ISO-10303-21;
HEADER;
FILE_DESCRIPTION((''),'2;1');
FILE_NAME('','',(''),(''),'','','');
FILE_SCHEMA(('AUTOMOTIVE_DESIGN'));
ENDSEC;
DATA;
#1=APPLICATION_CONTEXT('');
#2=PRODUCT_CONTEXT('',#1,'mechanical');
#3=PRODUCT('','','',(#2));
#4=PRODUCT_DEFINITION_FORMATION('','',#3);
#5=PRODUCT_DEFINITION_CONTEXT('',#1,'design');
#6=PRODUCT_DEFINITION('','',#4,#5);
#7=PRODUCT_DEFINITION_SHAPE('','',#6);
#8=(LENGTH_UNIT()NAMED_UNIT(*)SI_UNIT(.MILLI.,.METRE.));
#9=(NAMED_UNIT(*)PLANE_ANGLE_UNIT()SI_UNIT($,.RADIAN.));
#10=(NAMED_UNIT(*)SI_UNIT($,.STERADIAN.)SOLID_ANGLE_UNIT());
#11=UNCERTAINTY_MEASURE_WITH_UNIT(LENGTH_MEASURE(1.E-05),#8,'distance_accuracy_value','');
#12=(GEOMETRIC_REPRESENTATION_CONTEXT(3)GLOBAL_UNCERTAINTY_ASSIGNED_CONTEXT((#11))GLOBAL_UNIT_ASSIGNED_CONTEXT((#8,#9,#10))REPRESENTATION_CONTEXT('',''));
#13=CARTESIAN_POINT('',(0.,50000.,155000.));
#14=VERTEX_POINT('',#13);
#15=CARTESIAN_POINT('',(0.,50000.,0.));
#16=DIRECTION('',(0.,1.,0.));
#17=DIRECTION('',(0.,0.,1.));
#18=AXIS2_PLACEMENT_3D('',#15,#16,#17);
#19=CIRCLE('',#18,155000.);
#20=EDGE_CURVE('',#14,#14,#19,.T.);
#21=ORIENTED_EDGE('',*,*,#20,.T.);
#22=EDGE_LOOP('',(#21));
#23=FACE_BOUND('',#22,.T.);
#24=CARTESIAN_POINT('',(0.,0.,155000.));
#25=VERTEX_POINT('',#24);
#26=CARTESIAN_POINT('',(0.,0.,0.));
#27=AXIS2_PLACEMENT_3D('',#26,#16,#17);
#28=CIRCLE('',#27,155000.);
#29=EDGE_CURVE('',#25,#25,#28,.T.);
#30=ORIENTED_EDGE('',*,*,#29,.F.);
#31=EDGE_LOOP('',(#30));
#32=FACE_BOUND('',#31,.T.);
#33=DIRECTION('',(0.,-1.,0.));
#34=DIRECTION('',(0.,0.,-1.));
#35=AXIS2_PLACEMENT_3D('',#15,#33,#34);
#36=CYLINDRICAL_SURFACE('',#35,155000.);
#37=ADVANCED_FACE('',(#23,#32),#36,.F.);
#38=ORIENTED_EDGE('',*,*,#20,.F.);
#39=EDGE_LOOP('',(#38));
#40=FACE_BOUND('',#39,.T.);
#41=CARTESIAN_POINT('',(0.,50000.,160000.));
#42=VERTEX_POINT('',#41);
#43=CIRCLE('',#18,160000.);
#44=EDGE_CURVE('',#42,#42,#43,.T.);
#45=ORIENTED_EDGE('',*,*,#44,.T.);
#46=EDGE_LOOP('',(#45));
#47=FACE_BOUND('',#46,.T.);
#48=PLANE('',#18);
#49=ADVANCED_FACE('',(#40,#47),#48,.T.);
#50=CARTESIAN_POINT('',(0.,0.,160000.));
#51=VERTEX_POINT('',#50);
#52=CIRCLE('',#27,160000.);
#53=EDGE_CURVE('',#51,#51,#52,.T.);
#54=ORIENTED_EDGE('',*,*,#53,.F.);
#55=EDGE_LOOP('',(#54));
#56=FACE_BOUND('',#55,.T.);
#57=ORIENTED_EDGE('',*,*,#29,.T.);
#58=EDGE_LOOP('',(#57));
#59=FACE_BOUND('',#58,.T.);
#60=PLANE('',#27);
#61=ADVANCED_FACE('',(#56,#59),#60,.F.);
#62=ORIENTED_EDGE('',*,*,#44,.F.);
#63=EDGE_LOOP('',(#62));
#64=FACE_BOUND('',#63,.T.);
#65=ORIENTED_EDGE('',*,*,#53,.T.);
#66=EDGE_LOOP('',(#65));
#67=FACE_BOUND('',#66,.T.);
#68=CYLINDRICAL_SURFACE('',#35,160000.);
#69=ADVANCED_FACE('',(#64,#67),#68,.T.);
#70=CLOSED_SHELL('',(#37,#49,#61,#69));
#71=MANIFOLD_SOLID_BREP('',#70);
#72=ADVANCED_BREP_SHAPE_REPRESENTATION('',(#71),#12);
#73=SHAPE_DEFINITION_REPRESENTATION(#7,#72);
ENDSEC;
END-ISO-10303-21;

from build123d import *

# Parameters (mm, degrees)
SKETCH1_R           = 160000
SKETCH1_R_2         = 155000
BOSS_EXTRUDE2_DEPTH = 50000


with BuildPart() as part:
    # Sketch1 → Boss-Extrude2 (new body)
    with BuildSketch(Plane(origin=(0, 0, 0), x_dir=(1, 0, 0), z_dir=(0, 1, 0))):
        with Locations(Location((0, 0, 0), (0, 0, 270))):
            Circle(SKETCH1_R)
        with Locations(Location((0, 0, 0), (0, 0, 270))):
            Circle(SKETCH1_R_2, mode=Mode.SUBTRACT)
    extrude(amount=BOSS_EXTRUDE2_DEPTH)


solid = part.part
